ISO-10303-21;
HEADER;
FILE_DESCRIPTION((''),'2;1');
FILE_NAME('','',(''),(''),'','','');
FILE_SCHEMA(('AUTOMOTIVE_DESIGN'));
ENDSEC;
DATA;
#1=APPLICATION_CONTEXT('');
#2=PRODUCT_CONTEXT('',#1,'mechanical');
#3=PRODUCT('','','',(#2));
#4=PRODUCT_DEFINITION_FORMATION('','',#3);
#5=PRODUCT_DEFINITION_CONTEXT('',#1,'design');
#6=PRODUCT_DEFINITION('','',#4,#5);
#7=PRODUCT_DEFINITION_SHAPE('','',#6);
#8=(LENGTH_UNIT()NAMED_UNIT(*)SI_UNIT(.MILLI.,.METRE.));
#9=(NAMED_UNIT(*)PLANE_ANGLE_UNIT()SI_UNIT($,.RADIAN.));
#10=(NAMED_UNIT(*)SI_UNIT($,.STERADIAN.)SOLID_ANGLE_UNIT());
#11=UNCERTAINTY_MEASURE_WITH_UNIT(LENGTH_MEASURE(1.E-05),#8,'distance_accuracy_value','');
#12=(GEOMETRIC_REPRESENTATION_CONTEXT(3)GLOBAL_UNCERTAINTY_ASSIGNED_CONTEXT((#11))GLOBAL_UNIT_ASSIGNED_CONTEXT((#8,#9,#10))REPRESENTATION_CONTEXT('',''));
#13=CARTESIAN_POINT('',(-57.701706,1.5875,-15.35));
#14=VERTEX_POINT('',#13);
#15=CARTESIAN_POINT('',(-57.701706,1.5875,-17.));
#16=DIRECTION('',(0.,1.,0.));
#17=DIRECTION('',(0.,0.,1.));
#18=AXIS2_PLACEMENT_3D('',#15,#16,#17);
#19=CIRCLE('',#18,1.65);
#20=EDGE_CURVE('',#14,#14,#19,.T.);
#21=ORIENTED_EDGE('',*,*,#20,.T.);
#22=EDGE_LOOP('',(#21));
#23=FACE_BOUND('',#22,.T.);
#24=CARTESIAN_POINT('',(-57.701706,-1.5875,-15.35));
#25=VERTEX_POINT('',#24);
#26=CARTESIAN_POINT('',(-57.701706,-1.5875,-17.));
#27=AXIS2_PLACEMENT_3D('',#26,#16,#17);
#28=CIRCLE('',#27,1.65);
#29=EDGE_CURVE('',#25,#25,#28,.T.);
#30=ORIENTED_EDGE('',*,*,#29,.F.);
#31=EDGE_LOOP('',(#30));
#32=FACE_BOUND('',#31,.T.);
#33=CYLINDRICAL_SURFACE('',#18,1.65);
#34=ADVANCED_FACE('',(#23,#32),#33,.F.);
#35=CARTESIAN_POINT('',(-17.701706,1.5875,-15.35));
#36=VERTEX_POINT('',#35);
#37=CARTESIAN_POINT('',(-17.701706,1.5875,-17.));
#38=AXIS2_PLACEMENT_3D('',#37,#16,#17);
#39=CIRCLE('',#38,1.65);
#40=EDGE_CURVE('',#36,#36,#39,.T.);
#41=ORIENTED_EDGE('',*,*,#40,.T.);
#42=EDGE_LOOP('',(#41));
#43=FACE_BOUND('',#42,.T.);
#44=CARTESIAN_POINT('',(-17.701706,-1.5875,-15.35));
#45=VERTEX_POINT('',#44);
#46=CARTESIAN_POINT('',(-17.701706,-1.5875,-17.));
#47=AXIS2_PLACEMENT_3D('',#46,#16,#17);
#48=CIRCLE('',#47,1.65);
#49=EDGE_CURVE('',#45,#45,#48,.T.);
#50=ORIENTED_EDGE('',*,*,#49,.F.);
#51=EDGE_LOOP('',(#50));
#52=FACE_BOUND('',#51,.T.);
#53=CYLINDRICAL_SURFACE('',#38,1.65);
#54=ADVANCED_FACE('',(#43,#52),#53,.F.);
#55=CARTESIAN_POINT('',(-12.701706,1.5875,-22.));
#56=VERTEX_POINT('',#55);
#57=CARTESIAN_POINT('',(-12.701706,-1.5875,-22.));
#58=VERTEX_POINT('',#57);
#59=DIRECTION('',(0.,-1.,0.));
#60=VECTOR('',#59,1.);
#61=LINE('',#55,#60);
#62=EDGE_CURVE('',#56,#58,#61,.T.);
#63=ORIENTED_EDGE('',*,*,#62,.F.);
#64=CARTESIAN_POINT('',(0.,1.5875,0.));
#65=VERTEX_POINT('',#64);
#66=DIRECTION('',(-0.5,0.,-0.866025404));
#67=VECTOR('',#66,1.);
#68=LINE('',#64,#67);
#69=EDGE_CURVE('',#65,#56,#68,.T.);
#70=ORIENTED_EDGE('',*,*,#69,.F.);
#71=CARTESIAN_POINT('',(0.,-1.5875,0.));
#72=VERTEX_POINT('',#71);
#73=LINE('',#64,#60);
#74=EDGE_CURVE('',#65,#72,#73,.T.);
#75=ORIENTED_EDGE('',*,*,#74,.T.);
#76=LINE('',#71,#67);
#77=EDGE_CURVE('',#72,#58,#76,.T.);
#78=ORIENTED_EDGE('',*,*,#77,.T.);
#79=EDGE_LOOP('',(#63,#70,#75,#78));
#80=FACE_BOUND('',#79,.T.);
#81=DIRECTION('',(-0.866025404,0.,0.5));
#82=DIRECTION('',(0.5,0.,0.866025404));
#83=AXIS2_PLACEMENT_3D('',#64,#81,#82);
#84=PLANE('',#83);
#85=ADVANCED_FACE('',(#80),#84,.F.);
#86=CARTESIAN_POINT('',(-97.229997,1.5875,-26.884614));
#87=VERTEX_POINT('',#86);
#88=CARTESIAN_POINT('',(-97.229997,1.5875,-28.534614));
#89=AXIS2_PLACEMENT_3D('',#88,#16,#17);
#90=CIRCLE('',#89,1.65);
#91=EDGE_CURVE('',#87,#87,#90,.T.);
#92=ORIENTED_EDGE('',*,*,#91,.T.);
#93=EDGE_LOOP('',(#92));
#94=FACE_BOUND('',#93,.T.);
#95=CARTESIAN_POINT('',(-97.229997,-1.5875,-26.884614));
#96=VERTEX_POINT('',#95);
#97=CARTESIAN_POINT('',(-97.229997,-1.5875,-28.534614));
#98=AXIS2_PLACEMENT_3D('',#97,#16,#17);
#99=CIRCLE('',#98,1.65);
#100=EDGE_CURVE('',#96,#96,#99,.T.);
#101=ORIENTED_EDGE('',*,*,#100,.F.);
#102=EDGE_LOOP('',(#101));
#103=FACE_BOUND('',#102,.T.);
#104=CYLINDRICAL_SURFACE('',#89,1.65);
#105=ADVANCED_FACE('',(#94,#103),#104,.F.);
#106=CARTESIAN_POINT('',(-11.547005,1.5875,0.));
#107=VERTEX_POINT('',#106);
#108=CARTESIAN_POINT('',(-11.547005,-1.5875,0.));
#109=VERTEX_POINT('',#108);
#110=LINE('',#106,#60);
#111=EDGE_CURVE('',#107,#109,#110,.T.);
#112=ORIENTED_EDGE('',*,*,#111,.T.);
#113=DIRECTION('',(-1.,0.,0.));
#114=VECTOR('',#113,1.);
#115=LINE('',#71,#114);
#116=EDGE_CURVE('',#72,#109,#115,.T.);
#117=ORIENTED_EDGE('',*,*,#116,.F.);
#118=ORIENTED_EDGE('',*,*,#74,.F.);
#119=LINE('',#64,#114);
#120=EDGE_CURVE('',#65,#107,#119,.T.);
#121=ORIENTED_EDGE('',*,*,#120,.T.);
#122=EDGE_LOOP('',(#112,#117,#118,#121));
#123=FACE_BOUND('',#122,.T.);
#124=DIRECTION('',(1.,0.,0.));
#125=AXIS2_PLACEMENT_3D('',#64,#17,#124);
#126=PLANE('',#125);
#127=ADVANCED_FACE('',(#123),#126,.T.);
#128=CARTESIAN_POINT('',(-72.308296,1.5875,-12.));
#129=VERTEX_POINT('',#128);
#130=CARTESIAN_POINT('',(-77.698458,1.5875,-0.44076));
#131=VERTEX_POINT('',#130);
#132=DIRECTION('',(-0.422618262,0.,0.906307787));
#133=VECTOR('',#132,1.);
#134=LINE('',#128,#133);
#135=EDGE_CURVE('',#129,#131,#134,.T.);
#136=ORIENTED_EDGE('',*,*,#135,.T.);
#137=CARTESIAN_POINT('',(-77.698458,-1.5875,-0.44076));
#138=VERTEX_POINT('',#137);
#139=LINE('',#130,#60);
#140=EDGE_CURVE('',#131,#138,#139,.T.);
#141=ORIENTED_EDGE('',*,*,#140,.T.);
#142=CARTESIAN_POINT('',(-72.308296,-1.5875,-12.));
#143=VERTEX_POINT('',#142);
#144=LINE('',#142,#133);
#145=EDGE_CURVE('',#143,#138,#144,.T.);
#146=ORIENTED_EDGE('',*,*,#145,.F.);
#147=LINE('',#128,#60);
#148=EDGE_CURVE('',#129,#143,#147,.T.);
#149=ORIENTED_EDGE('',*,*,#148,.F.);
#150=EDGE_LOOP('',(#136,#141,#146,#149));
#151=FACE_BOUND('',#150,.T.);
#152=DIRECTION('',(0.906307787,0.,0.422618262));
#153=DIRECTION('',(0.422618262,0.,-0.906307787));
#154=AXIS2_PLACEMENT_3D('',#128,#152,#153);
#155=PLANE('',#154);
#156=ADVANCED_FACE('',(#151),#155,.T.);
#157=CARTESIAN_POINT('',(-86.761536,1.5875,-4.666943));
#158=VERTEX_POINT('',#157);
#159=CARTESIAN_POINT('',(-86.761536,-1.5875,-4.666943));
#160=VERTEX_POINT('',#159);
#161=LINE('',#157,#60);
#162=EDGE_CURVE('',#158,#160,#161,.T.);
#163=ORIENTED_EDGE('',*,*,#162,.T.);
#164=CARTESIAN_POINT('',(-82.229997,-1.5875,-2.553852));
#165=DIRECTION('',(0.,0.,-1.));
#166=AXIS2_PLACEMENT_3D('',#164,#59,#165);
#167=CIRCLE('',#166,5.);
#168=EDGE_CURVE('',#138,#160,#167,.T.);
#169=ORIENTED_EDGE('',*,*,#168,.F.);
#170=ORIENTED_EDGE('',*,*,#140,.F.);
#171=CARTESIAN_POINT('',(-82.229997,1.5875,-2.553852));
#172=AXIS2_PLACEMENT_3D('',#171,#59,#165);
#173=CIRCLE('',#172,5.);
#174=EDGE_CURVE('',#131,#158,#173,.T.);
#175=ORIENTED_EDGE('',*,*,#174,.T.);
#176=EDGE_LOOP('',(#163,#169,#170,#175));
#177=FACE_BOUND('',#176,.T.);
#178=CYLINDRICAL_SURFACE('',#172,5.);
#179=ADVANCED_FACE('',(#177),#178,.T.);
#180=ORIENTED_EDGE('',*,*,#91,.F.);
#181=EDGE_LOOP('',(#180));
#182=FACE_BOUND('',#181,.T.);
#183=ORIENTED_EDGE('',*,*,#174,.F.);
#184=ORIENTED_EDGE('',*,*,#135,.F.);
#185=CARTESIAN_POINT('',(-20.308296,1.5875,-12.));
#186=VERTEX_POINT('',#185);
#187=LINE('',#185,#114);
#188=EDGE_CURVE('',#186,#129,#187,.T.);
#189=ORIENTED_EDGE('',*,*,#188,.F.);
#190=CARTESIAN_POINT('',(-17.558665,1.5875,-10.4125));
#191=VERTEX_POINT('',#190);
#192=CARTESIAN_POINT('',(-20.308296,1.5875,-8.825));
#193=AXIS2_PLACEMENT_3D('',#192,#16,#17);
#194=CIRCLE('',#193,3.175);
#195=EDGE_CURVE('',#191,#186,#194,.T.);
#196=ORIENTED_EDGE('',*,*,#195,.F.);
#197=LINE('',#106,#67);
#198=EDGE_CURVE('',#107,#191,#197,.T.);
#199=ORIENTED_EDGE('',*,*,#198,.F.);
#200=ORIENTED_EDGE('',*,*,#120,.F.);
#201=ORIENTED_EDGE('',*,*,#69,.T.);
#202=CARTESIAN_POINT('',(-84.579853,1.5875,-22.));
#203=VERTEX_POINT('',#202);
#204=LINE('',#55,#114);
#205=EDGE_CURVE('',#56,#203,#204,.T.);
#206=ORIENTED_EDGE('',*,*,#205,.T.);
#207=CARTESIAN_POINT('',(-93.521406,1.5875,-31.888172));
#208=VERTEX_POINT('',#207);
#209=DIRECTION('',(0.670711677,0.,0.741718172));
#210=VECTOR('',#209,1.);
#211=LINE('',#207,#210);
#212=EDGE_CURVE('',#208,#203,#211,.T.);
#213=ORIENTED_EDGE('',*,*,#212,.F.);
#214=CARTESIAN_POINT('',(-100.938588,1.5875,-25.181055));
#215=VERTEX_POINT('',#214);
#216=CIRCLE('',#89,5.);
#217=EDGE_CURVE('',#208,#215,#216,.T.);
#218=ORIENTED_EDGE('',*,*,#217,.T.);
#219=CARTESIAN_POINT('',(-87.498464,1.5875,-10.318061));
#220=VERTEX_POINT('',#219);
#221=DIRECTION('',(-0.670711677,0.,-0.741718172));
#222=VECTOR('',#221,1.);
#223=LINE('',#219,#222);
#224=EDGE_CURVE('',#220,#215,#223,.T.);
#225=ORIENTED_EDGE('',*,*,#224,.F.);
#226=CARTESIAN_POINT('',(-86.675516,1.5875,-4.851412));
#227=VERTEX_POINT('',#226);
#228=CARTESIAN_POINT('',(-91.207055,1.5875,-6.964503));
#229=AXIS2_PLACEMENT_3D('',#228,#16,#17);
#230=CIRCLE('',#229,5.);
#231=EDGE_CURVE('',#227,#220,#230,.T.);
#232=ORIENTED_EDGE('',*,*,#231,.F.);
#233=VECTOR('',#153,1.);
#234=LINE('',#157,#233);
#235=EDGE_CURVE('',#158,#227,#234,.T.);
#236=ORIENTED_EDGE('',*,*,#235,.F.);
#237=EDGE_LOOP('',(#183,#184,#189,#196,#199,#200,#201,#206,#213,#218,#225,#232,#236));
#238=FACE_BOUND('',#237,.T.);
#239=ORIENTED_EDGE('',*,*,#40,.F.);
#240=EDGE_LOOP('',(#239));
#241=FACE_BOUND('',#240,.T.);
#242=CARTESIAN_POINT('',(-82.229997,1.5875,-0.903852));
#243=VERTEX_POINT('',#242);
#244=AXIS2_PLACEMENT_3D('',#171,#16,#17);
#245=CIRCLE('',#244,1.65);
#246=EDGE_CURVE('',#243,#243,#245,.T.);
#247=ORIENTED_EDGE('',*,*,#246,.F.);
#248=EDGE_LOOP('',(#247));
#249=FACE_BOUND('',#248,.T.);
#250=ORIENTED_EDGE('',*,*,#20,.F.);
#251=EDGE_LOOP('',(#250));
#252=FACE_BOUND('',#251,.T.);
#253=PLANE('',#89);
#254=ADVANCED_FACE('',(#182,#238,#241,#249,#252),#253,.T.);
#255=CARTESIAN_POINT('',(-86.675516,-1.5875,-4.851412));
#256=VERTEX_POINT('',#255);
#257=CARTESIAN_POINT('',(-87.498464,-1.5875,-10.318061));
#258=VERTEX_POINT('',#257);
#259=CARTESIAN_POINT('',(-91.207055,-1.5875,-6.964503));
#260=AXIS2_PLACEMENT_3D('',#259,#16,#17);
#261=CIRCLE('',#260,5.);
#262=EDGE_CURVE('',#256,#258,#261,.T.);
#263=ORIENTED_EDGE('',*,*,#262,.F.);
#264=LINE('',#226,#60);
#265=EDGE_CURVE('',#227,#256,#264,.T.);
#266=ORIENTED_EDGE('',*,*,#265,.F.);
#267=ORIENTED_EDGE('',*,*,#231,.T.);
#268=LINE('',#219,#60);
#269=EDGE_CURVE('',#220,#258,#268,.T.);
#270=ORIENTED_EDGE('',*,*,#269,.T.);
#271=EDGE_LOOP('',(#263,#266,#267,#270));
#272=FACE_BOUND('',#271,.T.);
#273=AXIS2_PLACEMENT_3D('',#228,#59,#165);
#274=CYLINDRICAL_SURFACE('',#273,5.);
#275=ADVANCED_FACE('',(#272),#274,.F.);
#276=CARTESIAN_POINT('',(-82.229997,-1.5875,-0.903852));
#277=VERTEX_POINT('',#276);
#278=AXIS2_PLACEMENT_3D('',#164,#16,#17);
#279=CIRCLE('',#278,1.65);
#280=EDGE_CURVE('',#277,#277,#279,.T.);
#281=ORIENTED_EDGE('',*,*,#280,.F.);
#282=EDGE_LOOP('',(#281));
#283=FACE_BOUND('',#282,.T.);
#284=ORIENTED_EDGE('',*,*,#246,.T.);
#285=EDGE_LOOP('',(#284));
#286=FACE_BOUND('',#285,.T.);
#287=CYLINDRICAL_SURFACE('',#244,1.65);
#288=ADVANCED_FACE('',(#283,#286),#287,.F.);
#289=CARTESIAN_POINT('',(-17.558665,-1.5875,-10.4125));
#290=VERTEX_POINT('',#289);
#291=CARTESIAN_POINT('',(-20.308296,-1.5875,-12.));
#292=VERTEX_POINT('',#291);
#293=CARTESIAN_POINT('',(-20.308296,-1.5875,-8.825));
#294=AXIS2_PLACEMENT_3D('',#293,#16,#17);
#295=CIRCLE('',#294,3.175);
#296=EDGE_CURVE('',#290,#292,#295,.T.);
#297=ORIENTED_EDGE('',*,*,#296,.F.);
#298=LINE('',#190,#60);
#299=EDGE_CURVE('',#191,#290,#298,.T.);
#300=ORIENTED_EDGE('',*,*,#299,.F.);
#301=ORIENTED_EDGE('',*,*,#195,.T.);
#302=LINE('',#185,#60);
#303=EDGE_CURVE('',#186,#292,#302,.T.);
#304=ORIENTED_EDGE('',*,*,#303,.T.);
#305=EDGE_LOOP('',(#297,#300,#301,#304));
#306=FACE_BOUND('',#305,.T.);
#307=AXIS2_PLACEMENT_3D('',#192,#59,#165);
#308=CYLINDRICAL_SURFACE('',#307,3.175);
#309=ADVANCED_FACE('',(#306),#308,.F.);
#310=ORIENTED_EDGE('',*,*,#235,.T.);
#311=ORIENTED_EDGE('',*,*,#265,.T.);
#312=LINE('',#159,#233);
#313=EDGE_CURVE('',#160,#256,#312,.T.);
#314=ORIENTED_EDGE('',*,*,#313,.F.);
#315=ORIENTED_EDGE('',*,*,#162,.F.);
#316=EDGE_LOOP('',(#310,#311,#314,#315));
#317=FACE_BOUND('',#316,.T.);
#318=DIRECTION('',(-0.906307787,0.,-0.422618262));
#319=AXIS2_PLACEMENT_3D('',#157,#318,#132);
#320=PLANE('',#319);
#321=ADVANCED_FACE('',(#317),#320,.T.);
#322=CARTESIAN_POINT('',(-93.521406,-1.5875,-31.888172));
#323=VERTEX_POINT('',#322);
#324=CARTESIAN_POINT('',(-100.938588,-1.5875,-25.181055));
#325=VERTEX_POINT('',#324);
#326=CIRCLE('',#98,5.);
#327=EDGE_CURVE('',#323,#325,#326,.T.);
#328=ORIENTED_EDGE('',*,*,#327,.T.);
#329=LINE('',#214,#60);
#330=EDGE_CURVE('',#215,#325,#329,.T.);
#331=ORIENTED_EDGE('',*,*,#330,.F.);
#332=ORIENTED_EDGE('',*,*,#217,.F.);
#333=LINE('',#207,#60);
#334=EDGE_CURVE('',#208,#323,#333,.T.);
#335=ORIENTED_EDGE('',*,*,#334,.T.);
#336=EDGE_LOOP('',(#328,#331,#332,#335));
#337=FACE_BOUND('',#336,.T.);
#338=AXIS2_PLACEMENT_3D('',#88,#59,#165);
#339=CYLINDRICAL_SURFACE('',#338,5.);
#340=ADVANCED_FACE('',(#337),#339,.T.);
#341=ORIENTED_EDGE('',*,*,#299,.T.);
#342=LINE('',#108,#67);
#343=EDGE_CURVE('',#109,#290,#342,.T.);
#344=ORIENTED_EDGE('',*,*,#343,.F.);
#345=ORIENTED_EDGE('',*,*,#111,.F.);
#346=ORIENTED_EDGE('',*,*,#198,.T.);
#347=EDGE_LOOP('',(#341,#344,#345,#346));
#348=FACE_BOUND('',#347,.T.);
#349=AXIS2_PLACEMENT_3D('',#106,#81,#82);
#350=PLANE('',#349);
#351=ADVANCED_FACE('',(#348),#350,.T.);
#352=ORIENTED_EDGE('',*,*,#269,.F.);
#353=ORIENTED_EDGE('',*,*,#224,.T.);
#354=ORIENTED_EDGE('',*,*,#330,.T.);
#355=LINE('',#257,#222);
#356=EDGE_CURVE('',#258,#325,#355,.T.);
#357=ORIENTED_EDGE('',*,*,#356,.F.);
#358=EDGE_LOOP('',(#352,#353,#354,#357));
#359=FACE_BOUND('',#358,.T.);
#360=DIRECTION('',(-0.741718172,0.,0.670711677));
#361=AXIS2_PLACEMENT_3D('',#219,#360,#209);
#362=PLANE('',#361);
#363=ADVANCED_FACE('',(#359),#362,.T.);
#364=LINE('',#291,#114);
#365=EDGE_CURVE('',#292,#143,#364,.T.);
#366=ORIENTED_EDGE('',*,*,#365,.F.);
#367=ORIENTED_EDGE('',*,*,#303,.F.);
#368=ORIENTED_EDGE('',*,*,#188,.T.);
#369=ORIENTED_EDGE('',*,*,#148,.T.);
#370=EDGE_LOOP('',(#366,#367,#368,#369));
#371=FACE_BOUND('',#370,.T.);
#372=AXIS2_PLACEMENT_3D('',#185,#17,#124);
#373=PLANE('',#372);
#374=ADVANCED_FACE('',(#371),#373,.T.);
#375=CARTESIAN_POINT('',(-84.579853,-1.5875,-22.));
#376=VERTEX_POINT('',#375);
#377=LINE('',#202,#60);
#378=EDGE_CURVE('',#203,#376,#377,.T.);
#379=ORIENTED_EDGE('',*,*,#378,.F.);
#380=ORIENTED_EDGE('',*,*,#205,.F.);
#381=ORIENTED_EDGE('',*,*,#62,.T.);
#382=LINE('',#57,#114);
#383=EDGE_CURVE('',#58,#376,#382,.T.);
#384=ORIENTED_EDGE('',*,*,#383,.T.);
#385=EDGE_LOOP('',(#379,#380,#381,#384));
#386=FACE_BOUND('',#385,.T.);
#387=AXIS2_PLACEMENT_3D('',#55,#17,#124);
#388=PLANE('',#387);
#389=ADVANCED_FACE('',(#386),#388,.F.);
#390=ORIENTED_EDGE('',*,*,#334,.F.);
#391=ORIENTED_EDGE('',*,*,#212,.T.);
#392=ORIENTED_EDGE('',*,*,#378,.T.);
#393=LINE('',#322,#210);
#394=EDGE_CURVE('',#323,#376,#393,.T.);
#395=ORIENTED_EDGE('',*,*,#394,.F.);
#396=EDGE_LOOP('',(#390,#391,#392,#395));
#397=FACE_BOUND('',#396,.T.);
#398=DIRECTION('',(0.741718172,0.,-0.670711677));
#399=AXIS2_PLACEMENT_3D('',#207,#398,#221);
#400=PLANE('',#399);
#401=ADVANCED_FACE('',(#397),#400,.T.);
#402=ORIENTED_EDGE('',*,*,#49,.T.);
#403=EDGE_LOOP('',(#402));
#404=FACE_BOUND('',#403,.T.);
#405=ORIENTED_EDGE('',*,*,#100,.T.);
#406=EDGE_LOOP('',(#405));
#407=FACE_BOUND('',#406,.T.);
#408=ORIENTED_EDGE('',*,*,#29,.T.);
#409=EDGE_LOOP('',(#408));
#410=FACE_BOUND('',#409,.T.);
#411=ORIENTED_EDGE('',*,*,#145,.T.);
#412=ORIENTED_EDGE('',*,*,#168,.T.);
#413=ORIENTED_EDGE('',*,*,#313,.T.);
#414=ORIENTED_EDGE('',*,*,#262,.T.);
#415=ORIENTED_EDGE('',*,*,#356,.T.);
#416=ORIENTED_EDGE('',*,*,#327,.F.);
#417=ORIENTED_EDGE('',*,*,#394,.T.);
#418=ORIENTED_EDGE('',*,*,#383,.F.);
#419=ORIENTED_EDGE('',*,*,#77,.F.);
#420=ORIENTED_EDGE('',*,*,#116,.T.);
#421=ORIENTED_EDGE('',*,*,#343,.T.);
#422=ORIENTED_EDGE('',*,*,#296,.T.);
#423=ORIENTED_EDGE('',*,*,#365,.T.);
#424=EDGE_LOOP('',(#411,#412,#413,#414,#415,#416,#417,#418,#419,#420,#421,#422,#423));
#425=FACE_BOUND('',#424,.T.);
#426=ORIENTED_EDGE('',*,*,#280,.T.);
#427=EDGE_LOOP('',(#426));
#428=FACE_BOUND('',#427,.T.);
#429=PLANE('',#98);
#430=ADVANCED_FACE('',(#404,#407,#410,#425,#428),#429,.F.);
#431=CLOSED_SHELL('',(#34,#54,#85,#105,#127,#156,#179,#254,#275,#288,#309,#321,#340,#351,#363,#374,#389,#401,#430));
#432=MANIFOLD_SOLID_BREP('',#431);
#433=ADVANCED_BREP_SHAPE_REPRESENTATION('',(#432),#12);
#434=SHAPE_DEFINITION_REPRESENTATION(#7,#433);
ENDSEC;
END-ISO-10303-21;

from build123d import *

# Parameters (mm, degrees)
BOSS_EXTRUDE1_DEPTH   = 1.5875
M4X0_7_TAPPED_HOLE1_D = 3.3
M4X0_7_TAPPED_HOLE2_D = 3.3


with BuildPart() as part:
    # Sketch1 → Boss-Extrude1 (new body, symmetric)
    with BuildSketch(Plane(origin=(0, 0, 0), x_dir=(1, 0, 0), z_dir=(0, 1, 0))):
        with BuildLine():
            Line((0, 0), (-11.547005384, 0))
            Line((-11.547005384, 0), (-17.558665062, 10.4125))
            ThreePointArc((-17.558665062, 10.4125), (-18.720795719, 11.574630657), (-20.308295719, 12))
            Line((-20.308295719, 12), (-72.308295719, 12))
            Line((-72.308295719, 12), (-77.698457708, 0.440760311))
            ThreePointArc((-77.698457708, 0.440760311), (-84.343088233, -1.977687418), (-86.761535579, 4.666942928))
            Line((-86.761535579, 4.666942928), (-86.675516364, 4.851411729))
            ThreePointArc((-86.675516364, 4.851411729), (-86.262765717, 7.708815155), (-87.498464442, 10.318061424))
            Line((-87.498464442, 10.318061424), (-100.938587731, 25.181055478))
            ThreePointArc((-100.938587731, 25.181055478), (-100.583555179, 32.243204718), (-93.521405939, 31.888172166))
            Line((-93.521405939, 31.888172166), (-84.579852673, 22))
            Line((-84.579852673, 22), (-12.701705922, 22))
            Line((-12.701705922, 22), (0, 0))
        make_face()
    extrude(amount=BOSS_EXTRUDE1_DEPTH, both=True)

    # M4x0.7 Tapped Hole1 (through all)
    with Locations(Plane(origin=(0, 1.5875, 0), x_dir=(1, 0, 0), z_dir=(0, 1, 0))):
        with Locations((-17.701705922, 17), (-57.701705922, 17)):
            Hole(M4X0_7_TAPPED_HOLE1_D / 2)

    # M4x0.7 Tapped Hole2 (through all)
    with Locations(Plane(origin=(0, 1.5875, 0), x_dir=(1, 0, 0), z_dir=(0, 1, 0))):
        with Locations((-82.229996835, 2.553851709), (-97.229996835, 28.534613822)):
            Hole(M4X0_7_TAPPED_HOLE2_D / 2)


solid = part.part
